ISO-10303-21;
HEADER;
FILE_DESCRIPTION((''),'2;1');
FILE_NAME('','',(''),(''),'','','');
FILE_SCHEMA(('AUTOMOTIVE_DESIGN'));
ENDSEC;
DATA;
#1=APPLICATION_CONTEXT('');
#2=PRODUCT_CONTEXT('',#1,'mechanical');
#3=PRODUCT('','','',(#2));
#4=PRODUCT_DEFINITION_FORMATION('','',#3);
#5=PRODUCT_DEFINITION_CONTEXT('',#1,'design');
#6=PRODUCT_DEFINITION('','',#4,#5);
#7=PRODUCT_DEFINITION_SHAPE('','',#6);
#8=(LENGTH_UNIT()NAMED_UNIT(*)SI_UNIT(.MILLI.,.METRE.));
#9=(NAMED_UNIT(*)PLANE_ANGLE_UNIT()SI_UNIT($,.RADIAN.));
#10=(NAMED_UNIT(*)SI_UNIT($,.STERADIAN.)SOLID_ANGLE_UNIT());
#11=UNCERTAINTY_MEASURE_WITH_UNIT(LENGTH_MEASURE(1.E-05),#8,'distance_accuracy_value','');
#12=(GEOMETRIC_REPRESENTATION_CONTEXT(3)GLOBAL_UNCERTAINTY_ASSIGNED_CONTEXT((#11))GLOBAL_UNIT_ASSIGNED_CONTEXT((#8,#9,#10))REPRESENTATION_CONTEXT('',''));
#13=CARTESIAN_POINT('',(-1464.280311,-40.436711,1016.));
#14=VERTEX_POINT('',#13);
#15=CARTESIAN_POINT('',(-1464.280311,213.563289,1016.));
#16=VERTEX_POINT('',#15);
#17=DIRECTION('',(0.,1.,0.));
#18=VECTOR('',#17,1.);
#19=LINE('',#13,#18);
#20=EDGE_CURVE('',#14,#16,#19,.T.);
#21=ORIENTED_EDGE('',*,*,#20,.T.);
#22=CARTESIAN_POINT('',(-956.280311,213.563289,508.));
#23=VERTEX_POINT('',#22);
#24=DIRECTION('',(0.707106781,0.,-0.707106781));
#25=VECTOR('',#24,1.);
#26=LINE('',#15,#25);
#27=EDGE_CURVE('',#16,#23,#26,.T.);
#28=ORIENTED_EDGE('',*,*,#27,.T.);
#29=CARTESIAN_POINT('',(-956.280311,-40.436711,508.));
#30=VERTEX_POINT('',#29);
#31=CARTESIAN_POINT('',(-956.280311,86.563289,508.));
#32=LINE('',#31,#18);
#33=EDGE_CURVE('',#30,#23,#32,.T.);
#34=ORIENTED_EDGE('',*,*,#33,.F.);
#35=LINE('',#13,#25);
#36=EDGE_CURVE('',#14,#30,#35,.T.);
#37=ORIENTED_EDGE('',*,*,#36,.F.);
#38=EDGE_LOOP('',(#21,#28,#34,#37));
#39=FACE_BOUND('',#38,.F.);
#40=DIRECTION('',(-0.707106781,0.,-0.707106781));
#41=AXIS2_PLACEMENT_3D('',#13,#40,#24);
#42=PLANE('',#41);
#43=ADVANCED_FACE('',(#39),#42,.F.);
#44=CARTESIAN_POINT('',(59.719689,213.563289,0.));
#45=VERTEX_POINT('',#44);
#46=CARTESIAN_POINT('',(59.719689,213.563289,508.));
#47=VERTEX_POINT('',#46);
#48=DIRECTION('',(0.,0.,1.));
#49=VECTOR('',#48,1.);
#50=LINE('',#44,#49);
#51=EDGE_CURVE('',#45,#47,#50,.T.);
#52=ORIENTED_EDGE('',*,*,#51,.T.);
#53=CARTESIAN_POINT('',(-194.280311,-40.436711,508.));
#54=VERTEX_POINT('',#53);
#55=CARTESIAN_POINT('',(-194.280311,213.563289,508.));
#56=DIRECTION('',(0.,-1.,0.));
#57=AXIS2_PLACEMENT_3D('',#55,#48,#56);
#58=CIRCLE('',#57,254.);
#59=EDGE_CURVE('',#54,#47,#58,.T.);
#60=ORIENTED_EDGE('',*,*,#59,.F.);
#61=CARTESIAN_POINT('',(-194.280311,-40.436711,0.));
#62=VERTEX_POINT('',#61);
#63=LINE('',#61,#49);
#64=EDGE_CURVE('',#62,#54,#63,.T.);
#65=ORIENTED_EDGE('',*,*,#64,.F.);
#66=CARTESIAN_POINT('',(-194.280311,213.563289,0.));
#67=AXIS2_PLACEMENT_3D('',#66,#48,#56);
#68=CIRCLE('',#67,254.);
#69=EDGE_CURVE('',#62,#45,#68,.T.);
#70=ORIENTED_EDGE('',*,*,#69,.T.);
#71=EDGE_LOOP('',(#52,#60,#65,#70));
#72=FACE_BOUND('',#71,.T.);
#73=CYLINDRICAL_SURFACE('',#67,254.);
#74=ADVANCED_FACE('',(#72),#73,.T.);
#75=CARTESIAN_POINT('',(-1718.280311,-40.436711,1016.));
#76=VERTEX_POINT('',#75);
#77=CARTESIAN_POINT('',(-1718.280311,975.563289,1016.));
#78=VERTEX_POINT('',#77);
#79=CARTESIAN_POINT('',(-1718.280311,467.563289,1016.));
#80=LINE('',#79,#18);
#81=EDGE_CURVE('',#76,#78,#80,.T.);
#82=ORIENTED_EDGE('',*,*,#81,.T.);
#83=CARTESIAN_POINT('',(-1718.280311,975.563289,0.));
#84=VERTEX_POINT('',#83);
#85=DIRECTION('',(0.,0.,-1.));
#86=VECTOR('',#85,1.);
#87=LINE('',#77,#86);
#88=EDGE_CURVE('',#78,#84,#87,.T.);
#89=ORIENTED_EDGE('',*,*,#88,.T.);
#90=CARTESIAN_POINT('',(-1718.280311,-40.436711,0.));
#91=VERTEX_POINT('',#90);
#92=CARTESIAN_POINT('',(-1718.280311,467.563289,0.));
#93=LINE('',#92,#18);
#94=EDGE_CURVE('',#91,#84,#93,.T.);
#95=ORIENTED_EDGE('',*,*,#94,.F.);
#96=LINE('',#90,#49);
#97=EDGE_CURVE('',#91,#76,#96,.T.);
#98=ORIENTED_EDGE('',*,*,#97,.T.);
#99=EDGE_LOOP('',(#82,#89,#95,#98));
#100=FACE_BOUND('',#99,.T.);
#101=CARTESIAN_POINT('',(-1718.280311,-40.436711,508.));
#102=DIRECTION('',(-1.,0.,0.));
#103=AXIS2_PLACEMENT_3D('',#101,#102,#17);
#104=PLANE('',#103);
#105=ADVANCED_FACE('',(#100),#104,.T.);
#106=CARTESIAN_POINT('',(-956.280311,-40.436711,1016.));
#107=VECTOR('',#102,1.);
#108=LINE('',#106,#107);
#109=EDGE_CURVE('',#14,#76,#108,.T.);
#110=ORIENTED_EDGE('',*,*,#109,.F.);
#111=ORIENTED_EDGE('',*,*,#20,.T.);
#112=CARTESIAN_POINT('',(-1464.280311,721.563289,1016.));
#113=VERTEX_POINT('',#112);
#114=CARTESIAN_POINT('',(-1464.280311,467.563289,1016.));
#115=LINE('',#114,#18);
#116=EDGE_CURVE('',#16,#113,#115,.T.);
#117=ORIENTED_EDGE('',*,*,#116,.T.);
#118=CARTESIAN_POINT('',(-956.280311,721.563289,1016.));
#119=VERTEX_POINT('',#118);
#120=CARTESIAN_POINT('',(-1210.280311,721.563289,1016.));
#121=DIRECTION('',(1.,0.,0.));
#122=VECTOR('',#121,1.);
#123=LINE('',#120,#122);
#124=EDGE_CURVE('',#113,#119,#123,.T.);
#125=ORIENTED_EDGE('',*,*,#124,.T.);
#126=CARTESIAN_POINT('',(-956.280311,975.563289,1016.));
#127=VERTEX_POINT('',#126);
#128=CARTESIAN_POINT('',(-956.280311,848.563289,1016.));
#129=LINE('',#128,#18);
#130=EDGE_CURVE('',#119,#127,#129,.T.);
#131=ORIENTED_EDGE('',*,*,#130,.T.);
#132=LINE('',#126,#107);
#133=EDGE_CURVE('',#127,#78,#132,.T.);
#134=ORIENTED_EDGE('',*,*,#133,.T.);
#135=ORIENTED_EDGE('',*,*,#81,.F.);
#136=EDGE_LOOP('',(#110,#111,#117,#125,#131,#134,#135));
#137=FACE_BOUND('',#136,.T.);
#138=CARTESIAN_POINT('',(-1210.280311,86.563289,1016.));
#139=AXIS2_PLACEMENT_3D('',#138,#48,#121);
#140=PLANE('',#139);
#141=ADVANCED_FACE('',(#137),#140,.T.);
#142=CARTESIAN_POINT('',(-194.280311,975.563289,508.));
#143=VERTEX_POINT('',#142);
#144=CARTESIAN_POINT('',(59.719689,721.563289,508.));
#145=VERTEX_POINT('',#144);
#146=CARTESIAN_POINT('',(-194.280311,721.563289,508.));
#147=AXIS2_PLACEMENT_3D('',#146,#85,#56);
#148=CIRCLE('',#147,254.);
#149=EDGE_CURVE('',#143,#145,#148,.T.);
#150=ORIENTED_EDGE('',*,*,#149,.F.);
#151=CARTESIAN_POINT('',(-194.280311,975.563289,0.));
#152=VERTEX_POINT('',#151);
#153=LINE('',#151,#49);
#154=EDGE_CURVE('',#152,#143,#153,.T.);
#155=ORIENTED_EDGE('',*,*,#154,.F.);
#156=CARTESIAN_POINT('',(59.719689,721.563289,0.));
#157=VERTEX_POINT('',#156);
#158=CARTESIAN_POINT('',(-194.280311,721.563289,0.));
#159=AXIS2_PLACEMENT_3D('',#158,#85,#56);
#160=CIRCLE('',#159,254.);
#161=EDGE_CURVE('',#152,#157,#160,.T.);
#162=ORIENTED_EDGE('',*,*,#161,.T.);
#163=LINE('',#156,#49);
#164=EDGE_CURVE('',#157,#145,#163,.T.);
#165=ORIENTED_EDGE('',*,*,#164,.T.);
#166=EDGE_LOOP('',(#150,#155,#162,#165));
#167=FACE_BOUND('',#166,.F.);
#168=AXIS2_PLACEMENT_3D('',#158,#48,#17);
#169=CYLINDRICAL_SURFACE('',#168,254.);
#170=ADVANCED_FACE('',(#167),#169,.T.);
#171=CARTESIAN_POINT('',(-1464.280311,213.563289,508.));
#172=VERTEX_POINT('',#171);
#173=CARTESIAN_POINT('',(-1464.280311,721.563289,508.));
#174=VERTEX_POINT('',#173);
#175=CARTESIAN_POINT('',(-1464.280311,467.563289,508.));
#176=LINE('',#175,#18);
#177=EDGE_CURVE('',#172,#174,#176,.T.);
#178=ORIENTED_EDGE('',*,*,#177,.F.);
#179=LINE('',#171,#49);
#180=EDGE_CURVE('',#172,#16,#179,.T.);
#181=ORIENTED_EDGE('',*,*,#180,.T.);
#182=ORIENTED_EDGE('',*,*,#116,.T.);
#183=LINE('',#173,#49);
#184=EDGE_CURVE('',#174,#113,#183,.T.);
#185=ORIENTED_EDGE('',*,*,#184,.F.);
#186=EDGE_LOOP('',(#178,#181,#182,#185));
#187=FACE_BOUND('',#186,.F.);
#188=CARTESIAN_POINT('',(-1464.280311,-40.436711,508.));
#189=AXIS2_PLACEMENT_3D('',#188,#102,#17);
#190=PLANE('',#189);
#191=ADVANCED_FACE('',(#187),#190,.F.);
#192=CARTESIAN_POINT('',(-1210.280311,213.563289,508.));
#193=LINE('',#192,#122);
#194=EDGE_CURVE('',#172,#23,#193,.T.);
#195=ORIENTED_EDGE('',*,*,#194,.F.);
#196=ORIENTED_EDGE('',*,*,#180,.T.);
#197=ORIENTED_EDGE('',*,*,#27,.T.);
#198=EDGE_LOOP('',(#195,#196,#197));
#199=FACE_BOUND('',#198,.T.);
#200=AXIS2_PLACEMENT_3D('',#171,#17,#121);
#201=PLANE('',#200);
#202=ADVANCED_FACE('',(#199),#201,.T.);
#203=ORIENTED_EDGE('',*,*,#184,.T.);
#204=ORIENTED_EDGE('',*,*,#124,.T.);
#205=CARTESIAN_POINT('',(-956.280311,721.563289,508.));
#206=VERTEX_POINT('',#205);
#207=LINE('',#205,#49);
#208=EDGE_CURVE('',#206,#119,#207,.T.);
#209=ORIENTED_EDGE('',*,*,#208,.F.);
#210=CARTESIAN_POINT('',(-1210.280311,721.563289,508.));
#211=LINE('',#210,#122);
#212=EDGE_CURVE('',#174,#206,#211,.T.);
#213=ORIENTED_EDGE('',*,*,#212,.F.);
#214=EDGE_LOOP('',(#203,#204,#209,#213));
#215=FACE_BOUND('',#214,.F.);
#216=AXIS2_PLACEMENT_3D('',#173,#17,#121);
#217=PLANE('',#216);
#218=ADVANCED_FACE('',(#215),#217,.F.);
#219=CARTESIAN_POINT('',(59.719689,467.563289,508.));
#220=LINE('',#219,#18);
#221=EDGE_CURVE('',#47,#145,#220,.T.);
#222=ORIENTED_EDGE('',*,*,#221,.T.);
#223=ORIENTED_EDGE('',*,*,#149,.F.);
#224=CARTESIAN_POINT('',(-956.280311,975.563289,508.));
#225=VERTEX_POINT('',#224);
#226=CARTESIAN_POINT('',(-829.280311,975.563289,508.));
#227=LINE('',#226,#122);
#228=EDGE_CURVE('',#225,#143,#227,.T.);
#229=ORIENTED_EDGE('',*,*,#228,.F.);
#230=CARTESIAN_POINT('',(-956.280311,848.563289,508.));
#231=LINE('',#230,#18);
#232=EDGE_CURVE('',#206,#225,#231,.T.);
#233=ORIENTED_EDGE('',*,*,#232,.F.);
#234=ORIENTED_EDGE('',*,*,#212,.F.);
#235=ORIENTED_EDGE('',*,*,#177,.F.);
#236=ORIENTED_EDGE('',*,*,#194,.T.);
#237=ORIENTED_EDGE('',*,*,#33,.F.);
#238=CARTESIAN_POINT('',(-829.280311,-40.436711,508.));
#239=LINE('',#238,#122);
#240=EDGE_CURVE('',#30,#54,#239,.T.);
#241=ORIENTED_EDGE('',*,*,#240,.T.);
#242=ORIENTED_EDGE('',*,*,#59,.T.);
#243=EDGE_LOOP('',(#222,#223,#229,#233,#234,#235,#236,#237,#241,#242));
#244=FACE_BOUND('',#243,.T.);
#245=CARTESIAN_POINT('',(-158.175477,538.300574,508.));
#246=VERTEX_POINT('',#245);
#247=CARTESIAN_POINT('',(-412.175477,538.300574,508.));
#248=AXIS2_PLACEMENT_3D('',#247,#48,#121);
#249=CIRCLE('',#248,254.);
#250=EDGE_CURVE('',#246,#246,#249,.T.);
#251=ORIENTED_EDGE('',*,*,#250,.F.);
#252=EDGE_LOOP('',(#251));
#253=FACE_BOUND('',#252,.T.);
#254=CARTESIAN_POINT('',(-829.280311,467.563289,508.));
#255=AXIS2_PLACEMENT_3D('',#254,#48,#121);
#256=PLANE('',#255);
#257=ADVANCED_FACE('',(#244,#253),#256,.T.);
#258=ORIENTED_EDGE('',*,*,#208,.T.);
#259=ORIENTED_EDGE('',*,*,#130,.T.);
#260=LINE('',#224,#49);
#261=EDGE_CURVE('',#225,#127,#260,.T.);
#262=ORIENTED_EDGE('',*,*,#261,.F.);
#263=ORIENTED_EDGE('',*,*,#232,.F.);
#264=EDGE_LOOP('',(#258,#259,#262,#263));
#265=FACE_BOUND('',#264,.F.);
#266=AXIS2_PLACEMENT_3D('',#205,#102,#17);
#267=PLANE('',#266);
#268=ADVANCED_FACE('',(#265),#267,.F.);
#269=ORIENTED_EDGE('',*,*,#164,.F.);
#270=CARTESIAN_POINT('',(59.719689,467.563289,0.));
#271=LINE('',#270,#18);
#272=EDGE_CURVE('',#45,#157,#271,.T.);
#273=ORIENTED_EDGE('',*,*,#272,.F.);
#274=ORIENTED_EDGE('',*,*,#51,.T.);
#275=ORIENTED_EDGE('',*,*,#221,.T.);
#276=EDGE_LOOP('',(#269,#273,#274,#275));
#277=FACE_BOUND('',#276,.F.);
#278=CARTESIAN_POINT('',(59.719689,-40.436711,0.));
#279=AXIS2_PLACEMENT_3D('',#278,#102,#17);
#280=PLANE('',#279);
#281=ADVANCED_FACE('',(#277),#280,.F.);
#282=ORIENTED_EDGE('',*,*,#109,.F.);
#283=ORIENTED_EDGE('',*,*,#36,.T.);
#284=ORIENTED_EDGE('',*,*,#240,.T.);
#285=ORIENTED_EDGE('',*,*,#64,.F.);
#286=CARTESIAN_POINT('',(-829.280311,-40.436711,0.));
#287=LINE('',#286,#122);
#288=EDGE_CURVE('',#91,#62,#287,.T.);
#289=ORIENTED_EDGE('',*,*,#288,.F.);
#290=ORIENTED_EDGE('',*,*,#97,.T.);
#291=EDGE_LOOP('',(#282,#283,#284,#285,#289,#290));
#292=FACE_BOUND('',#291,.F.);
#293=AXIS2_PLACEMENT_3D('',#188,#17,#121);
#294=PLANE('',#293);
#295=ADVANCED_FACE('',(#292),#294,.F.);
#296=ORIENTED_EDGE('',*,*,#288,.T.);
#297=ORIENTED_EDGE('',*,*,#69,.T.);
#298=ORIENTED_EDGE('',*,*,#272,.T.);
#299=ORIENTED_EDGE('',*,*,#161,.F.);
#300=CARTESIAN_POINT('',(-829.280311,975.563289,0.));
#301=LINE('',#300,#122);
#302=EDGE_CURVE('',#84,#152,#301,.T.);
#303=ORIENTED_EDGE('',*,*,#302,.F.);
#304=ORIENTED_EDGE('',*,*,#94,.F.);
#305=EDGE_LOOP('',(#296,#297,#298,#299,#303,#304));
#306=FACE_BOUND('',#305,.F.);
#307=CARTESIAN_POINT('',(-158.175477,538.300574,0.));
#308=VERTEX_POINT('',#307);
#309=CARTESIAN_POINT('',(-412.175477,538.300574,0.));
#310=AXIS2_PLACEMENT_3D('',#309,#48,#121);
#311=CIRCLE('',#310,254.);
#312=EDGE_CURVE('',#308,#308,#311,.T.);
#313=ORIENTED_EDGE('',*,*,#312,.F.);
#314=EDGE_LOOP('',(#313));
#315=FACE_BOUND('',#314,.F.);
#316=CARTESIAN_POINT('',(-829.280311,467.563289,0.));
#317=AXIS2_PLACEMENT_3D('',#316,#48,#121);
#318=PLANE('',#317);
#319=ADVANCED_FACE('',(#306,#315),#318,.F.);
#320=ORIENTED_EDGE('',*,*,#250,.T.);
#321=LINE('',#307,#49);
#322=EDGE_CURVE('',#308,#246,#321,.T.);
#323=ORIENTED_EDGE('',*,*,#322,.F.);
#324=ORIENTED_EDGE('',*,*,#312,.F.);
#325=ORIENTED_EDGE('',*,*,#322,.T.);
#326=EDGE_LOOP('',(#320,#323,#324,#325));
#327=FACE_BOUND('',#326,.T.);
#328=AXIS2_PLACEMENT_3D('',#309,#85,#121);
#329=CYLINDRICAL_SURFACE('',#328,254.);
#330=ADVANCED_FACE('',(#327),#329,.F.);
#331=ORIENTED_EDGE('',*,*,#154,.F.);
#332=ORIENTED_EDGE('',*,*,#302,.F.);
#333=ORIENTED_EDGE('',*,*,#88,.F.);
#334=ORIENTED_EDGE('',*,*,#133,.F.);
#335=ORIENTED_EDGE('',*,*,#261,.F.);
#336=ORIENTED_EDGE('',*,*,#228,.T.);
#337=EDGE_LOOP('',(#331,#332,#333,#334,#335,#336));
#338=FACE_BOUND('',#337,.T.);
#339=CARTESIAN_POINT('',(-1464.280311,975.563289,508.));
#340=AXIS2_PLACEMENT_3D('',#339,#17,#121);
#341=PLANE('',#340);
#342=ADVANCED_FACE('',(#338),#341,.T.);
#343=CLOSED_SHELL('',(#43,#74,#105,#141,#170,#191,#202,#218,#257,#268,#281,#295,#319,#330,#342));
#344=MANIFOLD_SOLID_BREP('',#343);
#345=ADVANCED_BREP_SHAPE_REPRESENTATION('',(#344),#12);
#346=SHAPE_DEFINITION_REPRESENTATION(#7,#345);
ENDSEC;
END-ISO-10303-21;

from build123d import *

# Parameters (mm, degrees)
F0_W      = 1778
F0_H      = 1016
F0_R      = 254
F1_DEPTH  = 508
F2_R      = 254
F3_W      = 254
F3_H      = 1016
F4_DEPTH  = 508
F5_W      = 508
F5_H      = 254
F6_DEPTH  = 508
F7_W      = 508
F7_H      = 254
F8_DEPTH  = 508
F10_DEPTH = 254


with BuildPart() as f1:
    # F0 (on Top) → F1 (new body)
    with BuildSketch(Plane.XY):
        with Locations((-829.280311, 467.563289)):
            Rectangle(F0_W, F0_H)
        with Locations((-412.175477, 538.300574)):
            Circle(F0_R, mode=Mode.SUBTRACT)
    extrude(amount=F1_DEPTH)

    # F2
    f2_edges = [f1.edges().sort_by_distance(p)[0] for p in [
        (59.719689, -40.436711, 254),
        (59.719689, 975.563289, 254),
    ]]
    fillet(f2_edges, radius=F2_R)

    # F3 (on face) → F4 (join)
    with BuildSketch(Plane.XY.offset(508)):
        with Locations((-1591.280311, 467.563289)):
            Rectangle(F3_W, F3_H)
    extrude(amount=F4_DEPTH)

    # F5 (on face) → F6 (join)
    with BuildSketch(Plane.XY.offset(508)):
        with Locations((-1210.280311, 848.563289)):
            Rectangle(F5_W, F5_H)
    extrude(amount=F6_DEPTH)

    # F7 (on face) → F8 (join)
    with BuildSketch(Plane.XY.offset(508)):
        with Locations((-1210.280311, 86.563289)):
            Rectangle(F7_W, F7_H)
    extrude(amount=F8_DEPTH)

    # F9 (on face) → F10 (cut)
    with BuildSketch(Plane.XZ.offset(40.436711)):
        Polygon((-1464.280311, 1016), (-956.280311, 508), (-956.280311, 1016), align=None)
    extrude(amount=-F10_DEPTH, mode=Mode.SUBTRACT)


solid = f1.part
